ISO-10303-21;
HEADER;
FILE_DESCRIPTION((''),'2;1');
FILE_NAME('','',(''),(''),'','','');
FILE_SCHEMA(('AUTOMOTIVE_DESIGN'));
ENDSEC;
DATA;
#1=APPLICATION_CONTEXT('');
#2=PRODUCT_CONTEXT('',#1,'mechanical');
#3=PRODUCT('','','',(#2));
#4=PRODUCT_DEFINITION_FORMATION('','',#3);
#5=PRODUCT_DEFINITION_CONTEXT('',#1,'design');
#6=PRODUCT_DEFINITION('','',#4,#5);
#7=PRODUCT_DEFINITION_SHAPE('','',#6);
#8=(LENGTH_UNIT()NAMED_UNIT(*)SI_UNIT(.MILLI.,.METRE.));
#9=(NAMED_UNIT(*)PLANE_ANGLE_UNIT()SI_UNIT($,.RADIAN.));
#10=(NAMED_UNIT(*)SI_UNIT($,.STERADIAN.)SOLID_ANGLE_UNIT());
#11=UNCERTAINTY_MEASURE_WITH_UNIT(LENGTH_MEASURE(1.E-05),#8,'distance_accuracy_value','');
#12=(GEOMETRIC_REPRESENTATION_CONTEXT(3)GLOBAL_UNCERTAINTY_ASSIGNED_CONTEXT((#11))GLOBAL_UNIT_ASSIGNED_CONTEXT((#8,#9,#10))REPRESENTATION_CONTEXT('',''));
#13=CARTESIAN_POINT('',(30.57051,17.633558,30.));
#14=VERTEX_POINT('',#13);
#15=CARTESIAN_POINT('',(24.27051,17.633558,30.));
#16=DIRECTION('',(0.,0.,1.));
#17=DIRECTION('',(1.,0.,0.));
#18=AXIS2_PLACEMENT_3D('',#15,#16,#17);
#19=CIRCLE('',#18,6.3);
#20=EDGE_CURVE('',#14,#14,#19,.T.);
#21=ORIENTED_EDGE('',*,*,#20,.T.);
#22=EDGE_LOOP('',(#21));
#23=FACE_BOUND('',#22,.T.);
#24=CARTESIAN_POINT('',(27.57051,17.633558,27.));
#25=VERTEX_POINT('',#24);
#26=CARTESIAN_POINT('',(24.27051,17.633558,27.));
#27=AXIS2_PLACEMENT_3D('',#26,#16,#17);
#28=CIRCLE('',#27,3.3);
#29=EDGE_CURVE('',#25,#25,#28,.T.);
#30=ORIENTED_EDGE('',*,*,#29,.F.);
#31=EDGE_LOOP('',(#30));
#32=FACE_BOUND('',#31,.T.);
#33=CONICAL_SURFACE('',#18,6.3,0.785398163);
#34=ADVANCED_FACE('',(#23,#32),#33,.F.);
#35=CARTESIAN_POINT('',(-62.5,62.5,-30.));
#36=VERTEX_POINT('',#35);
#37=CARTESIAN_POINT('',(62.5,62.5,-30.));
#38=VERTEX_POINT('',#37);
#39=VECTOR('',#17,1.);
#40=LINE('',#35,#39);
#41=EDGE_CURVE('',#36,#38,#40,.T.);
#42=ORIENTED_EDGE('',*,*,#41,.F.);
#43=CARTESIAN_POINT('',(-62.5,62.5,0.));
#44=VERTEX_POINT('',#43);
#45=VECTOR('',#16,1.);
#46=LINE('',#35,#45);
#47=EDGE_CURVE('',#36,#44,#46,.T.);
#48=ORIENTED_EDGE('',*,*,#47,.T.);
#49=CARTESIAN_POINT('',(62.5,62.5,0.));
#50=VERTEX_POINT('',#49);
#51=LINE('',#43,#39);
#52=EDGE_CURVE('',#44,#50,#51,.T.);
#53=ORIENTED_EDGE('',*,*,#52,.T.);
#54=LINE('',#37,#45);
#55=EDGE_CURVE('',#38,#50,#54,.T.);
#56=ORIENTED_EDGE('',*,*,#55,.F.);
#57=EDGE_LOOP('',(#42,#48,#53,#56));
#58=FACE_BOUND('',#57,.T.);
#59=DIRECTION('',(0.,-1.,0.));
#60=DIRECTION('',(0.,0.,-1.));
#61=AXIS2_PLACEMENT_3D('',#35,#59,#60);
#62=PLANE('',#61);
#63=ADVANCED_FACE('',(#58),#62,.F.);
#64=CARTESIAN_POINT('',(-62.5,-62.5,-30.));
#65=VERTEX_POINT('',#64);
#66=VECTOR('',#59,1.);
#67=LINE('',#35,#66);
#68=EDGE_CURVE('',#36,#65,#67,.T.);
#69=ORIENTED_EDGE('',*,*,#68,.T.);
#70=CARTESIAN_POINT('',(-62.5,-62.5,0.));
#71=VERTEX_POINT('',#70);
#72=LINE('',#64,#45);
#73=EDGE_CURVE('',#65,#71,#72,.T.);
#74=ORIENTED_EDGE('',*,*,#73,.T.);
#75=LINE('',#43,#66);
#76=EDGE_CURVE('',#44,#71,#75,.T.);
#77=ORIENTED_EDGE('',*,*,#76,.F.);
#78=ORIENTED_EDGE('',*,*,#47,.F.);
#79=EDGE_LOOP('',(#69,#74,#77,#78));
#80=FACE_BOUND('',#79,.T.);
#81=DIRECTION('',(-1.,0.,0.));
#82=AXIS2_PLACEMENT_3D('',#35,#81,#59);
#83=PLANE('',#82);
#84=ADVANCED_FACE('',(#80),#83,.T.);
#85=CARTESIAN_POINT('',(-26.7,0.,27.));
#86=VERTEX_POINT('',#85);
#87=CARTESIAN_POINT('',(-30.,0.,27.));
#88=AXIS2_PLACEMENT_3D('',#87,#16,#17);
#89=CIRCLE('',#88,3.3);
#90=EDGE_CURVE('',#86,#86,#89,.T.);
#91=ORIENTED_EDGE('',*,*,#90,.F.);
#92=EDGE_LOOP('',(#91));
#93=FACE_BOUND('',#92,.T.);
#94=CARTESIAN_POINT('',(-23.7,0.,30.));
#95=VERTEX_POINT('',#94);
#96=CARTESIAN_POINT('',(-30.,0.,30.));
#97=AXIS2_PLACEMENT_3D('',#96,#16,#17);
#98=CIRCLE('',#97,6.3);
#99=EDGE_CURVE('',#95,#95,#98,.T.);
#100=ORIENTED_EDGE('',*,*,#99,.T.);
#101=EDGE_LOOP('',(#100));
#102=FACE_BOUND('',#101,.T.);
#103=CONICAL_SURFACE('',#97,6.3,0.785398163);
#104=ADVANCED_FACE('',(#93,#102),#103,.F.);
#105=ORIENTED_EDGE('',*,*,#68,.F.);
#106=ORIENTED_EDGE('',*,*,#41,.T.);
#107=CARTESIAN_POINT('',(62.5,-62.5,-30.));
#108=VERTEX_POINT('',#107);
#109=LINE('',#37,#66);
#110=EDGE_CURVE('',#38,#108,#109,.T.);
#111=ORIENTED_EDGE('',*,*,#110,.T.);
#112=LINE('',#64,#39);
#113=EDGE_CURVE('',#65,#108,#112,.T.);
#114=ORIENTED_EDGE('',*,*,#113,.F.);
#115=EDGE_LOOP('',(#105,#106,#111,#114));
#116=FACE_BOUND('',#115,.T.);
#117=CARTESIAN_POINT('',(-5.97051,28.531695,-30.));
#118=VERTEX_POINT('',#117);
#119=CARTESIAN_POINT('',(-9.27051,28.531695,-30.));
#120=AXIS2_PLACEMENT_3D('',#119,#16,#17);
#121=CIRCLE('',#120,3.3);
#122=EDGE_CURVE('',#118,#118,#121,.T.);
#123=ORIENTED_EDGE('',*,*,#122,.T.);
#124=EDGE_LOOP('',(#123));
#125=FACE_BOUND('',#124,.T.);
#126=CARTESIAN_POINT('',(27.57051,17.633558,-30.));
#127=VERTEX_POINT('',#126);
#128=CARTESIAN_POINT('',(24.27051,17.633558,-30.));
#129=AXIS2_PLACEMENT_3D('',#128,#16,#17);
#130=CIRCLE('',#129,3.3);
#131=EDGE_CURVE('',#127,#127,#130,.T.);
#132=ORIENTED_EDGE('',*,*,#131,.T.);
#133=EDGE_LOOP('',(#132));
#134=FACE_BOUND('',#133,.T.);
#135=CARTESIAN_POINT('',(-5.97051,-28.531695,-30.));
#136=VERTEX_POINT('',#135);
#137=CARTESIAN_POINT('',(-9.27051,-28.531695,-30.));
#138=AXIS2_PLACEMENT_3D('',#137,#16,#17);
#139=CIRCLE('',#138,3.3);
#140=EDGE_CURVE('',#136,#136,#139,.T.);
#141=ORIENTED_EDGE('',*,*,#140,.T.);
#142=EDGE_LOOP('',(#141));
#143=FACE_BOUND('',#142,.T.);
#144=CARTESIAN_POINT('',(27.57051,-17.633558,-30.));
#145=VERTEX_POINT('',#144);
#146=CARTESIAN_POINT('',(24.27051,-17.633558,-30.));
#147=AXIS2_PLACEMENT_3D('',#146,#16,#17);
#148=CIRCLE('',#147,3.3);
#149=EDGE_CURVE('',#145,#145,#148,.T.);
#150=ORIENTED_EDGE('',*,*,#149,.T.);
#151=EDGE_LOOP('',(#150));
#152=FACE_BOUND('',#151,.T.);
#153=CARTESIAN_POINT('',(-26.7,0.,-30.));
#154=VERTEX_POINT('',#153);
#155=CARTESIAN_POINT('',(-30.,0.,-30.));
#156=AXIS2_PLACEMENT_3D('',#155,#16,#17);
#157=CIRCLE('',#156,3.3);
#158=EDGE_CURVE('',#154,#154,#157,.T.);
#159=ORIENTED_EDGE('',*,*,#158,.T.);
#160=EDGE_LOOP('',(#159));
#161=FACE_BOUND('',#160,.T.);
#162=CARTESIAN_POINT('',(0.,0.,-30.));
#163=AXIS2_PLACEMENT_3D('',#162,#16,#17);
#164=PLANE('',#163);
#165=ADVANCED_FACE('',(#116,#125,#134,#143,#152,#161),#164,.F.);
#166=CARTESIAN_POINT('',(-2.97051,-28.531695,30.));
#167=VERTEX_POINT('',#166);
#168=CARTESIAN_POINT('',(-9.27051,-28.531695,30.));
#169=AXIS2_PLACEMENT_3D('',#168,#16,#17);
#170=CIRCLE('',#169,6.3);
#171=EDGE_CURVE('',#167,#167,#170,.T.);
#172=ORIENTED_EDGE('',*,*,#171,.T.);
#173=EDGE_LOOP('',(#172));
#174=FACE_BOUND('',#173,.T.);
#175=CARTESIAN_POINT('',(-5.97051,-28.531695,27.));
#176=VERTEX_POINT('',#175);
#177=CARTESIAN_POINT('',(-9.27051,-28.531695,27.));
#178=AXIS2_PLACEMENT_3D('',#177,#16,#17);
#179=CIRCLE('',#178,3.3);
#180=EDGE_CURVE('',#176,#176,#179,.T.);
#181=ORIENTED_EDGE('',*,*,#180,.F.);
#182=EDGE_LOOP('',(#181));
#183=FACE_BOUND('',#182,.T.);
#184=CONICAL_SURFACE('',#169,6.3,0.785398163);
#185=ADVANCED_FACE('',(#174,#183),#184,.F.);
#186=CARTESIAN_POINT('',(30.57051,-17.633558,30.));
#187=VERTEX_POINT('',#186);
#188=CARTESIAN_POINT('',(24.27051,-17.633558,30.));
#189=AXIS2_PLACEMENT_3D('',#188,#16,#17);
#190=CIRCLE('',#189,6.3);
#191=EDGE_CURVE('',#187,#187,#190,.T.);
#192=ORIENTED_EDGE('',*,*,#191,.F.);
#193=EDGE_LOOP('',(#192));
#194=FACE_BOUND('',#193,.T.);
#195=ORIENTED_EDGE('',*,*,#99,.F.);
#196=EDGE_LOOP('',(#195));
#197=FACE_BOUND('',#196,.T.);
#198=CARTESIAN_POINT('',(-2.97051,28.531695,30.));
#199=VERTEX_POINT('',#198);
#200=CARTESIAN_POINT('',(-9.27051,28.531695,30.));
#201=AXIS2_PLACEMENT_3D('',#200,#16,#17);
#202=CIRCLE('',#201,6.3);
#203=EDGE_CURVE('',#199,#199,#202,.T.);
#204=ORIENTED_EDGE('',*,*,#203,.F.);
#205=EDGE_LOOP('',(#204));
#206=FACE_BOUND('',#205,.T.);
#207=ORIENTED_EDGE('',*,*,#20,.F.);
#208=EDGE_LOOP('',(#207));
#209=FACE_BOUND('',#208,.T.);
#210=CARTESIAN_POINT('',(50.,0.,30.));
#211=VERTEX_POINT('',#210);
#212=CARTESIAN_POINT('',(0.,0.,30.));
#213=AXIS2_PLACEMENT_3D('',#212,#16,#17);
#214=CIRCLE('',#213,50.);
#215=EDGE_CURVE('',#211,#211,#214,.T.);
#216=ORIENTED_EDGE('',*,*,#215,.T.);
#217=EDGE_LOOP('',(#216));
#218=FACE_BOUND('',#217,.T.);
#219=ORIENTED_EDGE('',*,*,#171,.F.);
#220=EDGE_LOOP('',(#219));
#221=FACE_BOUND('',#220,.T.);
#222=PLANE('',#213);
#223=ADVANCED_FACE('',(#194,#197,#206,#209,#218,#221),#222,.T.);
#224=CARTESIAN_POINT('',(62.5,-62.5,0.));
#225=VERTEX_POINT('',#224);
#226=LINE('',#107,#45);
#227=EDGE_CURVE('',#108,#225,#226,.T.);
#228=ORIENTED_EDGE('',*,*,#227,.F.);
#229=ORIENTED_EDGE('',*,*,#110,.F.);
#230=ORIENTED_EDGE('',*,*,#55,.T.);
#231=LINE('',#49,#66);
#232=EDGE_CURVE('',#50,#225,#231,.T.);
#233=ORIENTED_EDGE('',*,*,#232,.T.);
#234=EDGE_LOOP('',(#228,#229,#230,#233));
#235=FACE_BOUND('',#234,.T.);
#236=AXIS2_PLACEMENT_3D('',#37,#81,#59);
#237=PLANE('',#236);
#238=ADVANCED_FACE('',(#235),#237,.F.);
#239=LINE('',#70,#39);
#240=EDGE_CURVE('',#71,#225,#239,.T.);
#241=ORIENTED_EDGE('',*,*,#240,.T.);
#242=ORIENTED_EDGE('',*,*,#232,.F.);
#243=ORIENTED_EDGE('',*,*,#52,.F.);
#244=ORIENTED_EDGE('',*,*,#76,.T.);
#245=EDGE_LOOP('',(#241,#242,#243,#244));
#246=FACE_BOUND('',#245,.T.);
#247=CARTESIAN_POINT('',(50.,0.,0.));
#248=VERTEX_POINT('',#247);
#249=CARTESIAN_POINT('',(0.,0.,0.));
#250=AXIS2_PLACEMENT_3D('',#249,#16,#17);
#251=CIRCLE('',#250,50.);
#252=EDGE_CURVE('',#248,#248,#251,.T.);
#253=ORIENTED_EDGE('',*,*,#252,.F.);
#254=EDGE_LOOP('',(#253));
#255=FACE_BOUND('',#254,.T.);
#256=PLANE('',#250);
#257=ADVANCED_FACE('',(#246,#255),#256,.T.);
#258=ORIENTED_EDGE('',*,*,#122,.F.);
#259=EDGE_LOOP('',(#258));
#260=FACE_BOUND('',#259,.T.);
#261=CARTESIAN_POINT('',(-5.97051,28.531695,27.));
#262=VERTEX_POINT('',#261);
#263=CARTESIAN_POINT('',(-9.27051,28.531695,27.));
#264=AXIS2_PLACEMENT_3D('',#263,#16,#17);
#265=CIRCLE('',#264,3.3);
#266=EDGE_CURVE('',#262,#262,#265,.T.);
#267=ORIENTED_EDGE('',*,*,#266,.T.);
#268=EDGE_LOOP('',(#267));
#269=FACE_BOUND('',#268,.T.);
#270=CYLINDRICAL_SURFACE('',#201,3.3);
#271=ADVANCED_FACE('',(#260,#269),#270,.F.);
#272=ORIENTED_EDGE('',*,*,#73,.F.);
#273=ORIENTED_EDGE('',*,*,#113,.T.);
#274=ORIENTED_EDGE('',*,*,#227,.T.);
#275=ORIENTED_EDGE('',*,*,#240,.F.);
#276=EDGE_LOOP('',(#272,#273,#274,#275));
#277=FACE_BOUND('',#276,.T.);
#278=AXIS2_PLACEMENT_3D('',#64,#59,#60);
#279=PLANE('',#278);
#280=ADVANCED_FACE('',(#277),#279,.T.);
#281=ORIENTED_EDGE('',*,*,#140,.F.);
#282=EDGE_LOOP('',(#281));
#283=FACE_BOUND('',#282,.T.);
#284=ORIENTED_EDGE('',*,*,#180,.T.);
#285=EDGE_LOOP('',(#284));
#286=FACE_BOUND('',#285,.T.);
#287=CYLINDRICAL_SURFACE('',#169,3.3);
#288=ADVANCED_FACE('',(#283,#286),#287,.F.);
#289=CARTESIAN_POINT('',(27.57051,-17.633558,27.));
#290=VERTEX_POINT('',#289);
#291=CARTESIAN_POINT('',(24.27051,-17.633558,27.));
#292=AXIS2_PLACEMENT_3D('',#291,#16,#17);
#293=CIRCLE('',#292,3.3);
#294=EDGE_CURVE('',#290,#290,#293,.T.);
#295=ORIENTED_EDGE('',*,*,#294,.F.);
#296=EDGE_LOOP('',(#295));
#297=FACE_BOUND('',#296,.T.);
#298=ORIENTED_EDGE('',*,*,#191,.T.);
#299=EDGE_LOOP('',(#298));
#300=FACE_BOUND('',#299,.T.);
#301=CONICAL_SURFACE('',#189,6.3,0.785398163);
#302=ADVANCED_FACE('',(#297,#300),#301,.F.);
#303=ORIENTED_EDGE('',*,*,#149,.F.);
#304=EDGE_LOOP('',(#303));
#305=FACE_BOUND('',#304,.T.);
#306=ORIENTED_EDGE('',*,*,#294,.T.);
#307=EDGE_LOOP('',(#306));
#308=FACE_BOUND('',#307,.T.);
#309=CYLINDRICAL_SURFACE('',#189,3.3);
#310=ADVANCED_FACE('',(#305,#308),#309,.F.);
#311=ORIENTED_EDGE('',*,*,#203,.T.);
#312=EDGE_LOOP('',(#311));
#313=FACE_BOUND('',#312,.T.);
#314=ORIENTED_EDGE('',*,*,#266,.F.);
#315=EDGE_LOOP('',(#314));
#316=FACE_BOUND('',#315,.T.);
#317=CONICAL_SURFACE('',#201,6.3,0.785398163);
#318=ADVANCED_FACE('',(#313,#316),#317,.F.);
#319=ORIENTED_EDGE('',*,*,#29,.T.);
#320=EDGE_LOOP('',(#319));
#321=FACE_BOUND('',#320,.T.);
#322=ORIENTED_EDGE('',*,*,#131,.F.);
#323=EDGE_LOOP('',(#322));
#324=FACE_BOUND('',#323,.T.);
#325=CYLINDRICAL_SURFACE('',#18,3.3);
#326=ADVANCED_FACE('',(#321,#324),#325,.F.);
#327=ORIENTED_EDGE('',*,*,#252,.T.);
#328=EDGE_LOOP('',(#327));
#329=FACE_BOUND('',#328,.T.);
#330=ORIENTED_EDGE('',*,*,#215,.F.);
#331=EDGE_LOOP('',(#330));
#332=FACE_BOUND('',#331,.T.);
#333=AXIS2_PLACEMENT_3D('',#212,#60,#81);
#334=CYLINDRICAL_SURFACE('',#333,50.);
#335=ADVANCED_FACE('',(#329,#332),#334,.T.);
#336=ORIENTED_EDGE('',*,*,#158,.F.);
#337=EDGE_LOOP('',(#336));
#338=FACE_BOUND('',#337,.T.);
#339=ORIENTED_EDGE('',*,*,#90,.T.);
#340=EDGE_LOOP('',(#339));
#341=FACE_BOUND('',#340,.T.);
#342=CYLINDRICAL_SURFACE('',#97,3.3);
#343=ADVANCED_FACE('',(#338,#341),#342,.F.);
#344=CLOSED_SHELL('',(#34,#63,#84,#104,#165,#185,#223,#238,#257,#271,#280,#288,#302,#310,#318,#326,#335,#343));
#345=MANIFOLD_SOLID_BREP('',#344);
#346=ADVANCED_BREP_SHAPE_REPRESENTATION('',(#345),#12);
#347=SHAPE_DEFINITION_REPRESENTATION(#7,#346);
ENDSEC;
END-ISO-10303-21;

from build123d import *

# Parameters (mm, degrees)
SKETCH1_W                                       = 125
SKETCH1_H                                       = 125
BOSS_EXTRUDE1_DEPTH                             = 30
SKETCH1_3_R                                     = 50
BOSS_EXTRUDE2_DEPTH                             = 30
CSK_FOR_M6_FLAT_HEAD_MACHINE_SCREW1_D           = 6.6
CSK_FOR_M6_FLAT_HEAD_MACHINE_SCREW1_CSINK_D     = 12.6
CSK_FOR_M6_FLAT_HEAD_MACHINE_SCREW1_CSINK_ANGLE = 90
CIRPATTERN1_COUNT                               = 5


with BuildPart() as part:
    # Sketch1 → Boss-Extrude1 (new body)
    with BuildSketch(Plane.XY):
        Rectangle(SKETCH1_W, SKETCH1_H)
    extrude(amount=-BOSS_EXTRUDE1_DEPTH)

    # Sketch1_3 → Boss-Extrude2 (add)
    with BuildSketch(Plane.XY):
        Circle(SKETCH1_3_R)
    extrude(amount=BOSS_EXTRUDE2_DEPTH)

    # CSK for M6 Flat Head Machine Screw1 (through all)
    with Locations(Plane.XY.offset(30)):
        with Locations((-30, 0)):
            csk_for_m6_flat_head_machine_screw1 = CounterSinkHole(CSK_FOR_M6_FLAT_HEAD_MACHINE_SCREW1_D / 2, CSK_FOR_M6_FLAT_HEAD_MACHINE_SCREW1_CSINK_D / 2, counter_sink_angle=CSK_FOR_M6_FLAT_HEAD_MACHINE_SCREW1_CSINK_ANGLE)

    # CirPattern1: CSK for M6 Flat Head Machine Screw1 ×5 about axis
    cirpattern1_axis = Axis((0, 0, 0), (0, 0, 1))
    for i in range(1, CIRPATTERN1_COUNT):
        add(csk_for_m6_flat_head_machine_screw1.rotate(cirpattern1_axis, i * 360 / CIRPATTERN1_COUNT), mode=Mode.SUBTRACT)


solid = part.part
